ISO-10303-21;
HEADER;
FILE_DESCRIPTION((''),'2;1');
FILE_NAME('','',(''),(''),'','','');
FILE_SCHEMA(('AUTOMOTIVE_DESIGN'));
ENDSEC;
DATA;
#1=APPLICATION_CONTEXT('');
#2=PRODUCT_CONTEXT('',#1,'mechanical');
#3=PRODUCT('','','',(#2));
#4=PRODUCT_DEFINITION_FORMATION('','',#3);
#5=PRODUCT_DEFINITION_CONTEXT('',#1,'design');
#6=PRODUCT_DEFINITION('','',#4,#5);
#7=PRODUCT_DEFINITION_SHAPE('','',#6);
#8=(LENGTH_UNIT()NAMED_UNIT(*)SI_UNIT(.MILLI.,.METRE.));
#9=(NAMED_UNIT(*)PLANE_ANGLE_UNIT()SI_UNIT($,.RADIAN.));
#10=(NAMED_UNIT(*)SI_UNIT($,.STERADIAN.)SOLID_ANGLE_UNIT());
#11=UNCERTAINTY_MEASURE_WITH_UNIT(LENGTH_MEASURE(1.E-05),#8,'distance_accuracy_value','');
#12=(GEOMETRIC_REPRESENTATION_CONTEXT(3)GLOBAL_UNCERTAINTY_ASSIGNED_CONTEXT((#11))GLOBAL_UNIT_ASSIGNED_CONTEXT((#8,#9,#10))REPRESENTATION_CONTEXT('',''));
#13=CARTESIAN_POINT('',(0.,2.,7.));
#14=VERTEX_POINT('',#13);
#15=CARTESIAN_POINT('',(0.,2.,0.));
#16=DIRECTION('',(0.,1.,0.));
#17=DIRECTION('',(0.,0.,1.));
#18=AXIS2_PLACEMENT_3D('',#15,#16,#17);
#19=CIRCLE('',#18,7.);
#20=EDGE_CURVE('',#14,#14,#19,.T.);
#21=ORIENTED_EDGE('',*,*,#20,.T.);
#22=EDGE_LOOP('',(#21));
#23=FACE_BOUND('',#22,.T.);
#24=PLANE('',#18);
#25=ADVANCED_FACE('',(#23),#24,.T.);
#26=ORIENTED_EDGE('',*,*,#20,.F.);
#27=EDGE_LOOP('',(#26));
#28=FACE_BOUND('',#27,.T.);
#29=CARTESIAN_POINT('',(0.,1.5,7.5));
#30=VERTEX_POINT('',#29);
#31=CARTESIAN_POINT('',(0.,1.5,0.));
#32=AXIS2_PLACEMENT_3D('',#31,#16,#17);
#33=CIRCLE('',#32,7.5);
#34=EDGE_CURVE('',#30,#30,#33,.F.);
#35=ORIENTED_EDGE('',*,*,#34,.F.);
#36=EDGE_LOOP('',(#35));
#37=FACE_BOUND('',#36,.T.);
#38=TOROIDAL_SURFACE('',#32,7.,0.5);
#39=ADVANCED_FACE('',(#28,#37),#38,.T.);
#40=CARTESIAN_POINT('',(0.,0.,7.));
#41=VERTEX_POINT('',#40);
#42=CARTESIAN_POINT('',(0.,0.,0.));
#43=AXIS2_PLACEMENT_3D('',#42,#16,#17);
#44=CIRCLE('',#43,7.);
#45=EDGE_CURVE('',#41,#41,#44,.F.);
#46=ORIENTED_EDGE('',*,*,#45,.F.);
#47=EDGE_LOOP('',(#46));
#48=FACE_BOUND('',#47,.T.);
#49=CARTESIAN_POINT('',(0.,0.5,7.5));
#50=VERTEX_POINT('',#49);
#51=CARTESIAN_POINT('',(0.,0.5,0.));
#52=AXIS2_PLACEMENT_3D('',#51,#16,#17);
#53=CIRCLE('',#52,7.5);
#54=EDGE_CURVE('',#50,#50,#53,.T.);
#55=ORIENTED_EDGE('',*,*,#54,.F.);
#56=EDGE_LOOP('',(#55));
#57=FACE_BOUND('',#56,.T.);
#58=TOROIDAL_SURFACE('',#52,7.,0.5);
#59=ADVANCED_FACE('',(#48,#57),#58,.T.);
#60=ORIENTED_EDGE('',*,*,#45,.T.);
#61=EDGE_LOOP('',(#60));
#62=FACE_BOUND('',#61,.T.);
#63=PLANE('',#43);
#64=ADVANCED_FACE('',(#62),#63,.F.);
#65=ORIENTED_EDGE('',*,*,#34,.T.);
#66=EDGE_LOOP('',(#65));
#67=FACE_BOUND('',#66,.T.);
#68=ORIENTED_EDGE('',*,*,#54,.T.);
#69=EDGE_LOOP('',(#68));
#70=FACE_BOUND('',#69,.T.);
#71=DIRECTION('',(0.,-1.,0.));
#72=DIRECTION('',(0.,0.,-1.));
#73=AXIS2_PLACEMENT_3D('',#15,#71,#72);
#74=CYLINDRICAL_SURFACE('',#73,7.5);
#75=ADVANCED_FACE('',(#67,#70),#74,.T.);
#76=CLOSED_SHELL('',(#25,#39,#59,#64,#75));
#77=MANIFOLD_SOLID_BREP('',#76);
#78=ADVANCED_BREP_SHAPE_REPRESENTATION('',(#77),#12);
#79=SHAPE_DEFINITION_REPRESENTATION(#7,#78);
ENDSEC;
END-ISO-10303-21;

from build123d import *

# Parameters (mm, degrees)
SKETCH1_R           = 7.5
BOSS_EXTRUDE1_DEPTH = 2
FILLET1_R           = 0.5


with BuildPart() as part:
    # Sketch1 → Boss-Extrude1 (new body)
    with BuildSketch(Plane(origin=(0, 0, 0), x_dir=(1, 0, 0), z_dir=(0, 1, 0))):
        Circle(SKETCH1_R)
    extrude(amount=BOSS_EXTRUDE1_DEPTH)

    # Fillet1
    fillet1_edges = [part.edges().sort_by_distance(p)[0] for p in [
        (-7.5, 0, 0),
        (-7.5, 2, 0),
    ]]
    fillet(fillet1_edges, radius=FILLET1_R)


solid = part.part
